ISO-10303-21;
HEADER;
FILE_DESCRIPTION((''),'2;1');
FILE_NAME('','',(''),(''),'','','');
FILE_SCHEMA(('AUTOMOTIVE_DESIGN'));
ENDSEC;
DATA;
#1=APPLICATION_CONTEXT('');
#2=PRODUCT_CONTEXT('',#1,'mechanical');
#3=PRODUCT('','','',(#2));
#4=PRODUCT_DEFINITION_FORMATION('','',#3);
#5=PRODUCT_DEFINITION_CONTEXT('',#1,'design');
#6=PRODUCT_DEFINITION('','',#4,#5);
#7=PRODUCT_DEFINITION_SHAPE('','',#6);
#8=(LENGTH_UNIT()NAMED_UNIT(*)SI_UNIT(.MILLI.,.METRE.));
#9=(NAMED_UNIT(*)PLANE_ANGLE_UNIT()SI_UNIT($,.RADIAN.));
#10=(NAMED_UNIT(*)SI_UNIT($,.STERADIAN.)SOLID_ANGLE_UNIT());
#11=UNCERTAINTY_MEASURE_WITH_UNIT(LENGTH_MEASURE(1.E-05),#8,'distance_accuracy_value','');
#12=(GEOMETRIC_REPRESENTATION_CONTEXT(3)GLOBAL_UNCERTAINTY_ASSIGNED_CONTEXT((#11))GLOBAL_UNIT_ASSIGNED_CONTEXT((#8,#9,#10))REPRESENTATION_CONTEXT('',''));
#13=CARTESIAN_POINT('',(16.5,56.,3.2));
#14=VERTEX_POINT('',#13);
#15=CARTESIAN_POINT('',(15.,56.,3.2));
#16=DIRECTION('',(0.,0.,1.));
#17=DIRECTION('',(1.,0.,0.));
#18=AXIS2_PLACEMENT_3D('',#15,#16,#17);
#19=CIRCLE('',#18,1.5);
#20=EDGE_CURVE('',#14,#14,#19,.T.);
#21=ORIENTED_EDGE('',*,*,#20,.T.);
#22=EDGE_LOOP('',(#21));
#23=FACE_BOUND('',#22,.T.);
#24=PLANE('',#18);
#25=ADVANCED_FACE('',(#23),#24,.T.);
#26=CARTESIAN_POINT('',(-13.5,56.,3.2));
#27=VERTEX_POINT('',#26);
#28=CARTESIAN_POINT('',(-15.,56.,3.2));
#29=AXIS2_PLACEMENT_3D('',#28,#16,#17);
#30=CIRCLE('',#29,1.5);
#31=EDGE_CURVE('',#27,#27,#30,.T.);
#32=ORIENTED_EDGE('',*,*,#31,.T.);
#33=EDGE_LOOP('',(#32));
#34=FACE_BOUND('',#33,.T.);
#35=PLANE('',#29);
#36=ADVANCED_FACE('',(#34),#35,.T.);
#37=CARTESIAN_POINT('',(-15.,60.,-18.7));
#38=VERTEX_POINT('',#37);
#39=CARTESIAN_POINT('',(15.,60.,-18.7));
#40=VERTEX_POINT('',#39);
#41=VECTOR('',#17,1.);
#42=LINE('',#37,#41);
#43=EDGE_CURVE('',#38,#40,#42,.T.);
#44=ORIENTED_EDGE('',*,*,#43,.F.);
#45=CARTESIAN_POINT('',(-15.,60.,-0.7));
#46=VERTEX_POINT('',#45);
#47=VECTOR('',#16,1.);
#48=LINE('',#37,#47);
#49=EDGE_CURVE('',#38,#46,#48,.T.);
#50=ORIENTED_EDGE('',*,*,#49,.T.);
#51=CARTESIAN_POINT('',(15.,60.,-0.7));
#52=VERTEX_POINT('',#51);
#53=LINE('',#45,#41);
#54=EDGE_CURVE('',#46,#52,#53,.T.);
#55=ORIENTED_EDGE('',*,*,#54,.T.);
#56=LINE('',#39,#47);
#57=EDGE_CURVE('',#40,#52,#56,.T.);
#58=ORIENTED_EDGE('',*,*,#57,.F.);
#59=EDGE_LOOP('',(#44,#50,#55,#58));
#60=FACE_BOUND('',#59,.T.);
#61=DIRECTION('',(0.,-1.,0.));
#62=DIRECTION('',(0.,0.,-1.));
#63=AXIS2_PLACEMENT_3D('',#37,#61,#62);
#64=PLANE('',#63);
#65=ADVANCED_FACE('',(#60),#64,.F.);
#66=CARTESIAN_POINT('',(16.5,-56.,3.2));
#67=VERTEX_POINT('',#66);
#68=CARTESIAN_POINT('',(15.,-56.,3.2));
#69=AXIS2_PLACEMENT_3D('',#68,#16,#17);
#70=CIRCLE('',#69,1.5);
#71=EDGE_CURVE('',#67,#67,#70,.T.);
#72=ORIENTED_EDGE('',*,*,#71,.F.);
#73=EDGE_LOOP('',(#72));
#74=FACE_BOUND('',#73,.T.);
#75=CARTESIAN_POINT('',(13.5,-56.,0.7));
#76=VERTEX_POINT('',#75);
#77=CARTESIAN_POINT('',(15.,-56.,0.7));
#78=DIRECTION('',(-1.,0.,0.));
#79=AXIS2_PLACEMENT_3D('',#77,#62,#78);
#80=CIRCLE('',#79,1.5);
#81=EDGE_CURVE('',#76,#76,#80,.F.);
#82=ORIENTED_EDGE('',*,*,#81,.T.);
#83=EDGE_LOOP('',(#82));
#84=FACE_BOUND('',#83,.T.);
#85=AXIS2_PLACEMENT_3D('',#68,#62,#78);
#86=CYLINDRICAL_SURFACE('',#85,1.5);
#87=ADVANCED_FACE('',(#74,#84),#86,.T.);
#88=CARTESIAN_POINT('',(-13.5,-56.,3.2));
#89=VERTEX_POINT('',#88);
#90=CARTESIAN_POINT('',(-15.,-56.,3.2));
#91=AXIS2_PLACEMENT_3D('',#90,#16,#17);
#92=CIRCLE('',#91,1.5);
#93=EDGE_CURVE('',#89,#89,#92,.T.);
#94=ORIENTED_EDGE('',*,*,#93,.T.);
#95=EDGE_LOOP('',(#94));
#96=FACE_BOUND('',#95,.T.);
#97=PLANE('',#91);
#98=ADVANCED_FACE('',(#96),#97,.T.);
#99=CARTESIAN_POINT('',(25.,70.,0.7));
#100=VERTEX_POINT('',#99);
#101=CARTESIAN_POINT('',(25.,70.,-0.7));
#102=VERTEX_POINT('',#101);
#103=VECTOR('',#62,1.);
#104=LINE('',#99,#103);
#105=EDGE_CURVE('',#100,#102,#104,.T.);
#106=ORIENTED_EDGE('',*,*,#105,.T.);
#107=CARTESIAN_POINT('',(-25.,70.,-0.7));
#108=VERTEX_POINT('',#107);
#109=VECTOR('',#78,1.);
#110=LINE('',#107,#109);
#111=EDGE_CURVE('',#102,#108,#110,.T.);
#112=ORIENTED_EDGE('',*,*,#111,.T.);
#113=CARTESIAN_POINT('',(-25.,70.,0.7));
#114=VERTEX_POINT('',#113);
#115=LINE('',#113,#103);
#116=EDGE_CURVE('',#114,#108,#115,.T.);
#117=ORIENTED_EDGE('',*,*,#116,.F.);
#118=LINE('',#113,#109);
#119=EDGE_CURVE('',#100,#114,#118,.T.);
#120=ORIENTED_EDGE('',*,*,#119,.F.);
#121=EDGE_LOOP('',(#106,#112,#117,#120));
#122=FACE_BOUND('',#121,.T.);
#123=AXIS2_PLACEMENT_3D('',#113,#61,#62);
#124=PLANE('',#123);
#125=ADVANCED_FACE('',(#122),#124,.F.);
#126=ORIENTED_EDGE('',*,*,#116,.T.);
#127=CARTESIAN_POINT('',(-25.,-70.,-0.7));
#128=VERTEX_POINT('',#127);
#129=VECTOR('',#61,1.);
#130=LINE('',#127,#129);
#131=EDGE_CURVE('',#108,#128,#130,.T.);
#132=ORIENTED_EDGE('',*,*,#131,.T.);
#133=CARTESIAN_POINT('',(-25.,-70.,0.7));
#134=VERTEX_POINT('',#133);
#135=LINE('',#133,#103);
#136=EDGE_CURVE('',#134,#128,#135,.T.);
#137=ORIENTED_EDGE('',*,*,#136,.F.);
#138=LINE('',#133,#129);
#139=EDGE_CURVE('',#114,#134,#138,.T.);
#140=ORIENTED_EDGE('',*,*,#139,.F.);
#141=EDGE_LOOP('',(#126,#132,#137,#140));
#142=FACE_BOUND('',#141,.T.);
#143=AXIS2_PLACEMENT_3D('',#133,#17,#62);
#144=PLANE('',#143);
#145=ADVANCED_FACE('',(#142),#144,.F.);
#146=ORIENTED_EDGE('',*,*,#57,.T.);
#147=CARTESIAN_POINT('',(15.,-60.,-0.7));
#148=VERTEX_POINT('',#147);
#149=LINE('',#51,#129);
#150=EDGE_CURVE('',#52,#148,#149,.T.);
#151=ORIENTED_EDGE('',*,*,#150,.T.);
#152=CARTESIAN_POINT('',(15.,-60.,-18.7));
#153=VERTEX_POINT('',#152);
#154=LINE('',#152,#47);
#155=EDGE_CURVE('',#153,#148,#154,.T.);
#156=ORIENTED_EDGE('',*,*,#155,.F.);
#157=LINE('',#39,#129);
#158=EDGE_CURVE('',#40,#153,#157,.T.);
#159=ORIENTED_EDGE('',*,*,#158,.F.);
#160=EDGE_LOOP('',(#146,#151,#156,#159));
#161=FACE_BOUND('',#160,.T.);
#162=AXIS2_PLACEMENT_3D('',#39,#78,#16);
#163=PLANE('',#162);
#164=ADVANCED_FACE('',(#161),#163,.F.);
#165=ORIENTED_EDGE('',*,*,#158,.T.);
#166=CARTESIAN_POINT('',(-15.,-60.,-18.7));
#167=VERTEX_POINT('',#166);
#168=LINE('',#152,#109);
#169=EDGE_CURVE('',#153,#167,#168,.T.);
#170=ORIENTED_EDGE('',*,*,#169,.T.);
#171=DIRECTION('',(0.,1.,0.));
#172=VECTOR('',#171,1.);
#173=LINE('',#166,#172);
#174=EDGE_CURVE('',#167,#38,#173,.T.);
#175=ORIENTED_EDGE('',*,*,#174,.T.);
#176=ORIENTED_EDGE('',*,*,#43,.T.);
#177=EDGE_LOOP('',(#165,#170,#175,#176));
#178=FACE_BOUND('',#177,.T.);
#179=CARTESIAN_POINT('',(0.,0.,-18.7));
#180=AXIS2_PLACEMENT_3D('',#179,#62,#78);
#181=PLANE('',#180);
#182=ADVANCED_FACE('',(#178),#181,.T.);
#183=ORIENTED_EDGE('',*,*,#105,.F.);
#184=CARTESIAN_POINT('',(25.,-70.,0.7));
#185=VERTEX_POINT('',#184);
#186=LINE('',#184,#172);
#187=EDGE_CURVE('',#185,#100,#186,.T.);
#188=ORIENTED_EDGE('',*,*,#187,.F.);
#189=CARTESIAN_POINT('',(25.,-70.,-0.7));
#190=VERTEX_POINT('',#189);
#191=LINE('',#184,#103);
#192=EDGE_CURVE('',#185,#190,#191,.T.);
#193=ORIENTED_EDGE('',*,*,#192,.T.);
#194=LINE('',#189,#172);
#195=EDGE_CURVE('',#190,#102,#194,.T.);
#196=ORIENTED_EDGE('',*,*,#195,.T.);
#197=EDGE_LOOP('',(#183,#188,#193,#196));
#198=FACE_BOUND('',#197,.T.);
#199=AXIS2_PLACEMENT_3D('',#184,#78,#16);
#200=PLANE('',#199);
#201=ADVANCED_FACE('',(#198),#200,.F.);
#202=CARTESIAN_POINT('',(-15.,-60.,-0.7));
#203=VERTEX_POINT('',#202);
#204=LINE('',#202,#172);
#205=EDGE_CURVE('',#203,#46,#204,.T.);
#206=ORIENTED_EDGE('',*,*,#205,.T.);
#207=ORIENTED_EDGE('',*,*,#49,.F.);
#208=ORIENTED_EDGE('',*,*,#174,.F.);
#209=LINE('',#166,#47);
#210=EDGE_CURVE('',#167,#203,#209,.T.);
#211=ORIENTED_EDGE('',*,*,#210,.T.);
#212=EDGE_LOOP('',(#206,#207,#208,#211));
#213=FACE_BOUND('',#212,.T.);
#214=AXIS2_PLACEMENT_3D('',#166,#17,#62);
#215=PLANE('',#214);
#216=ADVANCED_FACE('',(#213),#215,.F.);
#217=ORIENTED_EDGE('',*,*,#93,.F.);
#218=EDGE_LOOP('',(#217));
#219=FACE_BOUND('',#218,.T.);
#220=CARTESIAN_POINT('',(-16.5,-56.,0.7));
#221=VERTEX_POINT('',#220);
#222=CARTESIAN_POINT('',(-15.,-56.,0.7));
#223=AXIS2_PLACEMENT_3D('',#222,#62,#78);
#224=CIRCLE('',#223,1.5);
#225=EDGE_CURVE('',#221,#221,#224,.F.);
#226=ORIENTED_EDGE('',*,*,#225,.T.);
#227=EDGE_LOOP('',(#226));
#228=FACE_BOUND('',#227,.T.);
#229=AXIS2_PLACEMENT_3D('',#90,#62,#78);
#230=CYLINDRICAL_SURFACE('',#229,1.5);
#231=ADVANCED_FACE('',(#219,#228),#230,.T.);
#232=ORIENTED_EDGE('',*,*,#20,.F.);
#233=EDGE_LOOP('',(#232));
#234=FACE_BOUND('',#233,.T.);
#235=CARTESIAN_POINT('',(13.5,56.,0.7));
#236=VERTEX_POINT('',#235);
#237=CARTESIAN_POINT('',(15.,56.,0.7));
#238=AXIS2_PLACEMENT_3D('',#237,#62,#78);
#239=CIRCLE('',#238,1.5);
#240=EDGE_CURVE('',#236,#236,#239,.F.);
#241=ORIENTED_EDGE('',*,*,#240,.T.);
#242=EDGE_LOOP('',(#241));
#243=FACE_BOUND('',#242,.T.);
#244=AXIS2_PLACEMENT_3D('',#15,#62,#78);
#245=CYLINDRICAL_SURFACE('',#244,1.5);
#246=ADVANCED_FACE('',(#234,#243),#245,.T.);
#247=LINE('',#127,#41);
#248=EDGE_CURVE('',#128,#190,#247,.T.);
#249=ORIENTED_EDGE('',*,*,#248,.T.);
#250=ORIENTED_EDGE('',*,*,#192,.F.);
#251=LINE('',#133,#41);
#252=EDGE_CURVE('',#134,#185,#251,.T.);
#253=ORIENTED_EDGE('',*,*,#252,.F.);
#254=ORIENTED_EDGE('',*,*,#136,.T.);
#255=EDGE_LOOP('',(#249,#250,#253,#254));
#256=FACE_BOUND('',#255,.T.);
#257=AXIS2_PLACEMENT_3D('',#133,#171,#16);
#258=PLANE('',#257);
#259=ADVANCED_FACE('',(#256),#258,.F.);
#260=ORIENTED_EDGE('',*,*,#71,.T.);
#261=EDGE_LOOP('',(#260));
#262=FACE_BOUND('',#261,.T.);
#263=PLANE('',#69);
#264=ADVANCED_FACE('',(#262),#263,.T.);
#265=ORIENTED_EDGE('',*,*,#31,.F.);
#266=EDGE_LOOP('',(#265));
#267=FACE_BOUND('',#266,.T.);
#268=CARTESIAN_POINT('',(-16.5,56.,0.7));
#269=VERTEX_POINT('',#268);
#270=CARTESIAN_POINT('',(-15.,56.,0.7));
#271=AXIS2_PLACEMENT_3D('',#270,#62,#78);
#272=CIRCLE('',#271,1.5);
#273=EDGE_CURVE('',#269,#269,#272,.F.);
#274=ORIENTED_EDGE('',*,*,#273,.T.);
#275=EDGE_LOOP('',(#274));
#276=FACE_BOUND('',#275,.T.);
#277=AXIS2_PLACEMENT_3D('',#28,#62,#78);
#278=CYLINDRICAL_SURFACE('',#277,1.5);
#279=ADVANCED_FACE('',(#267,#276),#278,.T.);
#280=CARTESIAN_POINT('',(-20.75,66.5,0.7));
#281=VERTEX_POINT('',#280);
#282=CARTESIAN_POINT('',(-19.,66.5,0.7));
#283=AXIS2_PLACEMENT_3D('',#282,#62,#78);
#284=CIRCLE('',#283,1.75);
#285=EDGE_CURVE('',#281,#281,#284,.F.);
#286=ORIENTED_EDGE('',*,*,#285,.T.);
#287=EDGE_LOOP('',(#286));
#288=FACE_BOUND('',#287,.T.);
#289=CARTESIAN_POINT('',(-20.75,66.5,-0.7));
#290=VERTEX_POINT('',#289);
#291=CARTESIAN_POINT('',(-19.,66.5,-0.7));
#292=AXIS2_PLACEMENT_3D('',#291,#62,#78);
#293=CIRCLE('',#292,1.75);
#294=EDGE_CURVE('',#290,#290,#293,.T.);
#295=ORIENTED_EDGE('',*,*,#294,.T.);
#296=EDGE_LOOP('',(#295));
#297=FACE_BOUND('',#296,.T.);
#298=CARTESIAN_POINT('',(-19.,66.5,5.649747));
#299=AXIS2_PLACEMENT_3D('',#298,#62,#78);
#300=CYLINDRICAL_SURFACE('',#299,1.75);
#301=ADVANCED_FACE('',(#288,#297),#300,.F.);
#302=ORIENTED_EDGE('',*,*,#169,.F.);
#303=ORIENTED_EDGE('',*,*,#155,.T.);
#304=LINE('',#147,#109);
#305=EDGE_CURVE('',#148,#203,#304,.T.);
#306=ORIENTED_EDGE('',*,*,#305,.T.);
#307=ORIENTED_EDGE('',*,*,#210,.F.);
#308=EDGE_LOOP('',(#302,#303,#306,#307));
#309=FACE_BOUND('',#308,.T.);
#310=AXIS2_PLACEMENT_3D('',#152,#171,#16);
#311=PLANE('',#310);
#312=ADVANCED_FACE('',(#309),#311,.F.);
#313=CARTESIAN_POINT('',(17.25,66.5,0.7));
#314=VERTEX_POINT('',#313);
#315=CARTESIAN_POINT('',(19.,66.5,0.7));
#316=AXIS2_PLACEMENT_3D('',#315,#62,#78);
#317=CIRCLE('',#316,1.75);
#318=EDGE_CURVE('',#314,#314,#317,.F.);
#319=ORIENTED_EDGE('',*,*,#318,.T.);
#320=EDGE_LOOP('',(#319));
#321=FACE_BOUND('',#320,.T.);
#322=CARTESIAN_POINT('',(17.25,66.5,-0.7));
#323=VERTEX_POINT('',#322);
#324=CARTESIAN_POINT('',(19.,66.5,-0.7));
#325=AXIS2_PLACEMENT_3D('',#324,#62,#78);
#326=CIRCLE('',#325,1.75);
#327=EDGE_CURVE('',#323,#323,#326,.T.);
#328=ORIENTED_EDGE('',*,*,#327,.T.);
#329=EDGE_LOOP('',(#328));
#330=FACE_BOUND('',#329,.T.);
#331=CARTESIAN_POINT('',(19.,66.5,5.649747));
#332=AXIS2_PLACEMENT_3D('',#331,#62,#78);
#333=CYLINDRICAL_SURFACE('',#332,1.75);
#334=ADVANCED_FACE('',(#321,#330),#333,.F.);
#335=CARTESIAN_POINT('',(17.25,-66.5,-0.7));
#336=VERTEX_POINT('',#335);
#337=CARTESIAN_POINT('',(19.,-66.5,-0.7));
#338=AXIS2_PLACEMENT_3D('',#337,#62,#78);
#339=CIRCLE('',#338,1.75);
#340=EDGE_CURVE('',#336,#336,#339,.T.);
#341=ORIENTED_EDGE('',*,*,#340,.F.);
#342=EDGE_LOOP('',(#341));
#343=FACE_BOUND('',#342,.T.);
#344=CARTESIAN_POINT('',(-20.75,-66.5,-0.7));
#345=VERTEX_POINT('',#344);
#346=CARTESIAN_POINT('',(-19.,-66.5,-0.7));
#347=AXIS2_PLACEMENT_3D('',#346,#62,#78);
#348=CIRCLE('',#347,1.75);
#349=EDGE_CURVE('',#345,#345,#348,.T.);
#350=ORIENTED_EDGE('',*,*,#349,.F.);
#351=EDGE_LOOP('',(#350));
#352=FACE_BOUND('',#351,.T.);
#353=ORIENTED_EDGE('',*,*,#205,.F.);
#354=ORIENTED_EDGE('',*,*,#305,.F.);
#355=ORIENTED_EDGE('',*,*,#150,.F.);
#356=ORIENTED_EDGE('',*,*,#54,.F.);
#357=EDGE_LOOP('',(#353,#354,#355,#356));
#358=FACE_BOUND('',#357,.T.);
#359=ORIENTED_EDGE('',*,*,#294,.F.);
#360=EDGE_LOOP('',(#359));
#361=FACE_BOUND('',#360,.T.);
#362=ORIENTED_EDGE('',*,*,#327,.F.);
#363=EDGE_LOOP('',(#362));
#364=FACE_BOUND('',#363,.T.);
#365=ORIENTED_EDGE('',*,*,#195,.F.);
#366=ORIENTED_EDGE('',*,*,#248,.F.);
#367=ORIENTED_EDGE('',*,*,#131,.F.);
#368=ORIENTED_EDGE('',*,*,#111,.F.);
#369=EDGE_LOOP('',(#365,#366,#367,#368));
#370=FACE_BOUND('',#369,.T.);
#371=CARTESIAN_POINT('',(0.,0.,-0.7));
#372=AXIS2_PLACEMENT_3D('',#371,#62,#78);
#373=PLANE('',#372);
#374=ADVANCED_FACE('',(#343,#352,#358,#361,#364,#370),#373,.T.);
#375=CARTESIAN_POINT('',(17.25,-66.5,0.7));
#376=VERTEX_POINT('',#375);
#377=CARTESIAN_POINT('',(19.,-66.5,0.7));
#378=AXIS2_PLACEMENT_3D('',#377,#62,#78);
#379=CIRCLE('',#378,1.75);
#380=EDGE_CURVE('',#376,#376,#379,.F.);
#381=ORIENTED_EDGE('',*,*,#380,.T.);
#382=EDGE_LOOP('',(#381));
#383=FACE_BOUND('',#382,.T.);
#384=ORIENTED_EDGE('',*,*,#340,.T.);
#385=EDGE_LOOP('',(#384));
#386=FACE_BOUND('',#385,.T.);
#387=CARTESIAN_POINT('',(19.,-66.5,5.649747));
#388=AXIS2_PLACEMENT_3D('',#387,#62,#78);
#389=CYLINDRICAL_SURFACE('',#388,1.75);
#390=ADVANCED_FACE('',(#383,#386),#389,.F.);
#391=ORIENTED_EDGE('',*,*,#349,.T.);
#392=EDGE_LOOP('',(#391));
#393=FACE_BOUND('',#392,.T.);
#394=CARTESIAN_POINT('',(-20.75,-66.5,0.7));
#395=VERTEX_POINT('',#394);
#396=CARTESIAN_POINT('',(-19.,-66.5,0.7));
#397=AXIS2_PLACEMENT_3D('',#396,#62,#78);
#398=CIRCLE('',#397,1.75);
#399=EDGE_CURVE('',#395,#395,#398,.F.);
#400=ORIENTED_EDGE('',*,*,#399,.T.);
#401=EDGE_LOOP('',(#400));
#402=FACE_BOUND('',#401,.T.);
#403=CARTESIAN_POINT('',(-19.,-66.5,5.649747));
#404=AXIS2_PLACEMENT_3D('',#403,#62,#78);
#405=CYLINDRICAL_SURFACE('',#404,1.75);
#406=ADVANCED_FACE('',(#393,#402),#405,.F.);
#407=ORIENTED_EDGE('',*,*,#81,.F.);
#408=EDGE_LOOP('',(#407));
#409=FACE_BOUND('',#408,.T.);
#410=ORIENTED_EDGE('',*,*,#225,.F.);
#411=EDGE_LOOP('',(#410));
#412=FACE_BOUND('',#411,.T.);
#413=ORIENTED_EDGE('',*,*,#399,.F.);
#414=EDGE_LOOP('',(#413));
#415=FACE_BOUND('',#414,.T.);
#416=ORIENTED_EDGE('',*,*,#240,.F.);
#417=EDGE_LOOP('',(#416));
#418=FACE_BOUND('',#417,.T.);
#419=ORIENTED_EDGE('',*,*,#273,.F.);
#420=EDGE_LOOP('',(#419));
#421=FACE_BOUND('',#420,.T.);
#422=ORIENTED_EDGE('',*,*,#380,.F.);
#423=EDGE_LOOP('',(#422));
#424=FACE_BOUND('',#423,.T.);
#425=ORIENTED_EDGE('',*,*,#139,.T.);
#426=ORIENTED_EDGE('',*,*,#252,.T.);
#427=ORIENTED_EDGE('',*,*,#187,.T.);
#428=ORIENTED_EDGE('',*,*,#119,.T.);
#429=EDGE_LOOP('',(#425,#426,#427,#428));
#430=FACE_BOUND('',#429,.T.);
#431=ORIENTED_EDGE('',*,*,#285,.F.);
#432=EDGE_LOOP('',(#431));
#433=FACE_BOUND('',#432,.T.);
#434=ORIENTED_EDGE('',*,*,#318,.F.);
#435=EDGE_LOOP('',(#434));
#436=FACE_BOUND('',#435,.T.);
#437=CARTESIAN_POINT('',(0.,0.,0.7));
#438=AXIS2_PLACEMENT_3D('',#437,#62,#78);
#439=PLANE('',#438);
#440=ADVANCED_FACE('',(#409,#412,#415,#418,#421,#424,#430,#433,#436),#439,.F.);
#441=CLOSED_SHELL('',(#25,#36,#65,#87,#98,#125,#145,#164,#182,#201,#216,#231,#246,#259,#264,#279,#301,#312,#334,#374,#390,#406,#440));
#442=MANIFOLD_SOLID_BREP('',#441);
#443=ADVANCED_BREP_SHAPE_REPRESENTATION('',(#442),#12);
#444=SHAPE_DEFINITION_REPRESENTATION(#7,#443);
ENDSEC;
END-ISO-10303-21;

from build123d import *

# Parameters (mm, degrees)
SKETCH1_W           = 50
SKETCH1_H           = 140
BOSS_EXTRUDE1_DEPTH = 0.7
SKETCH3_W           = 30
SKETCH3_H           = 120
BOSS_EXTRUDE2_DEPTH = 18
SKETCH4_R           = 1.75
CUT_EXTRUDE1_DEPTH  = 1.4
SKETCH5_R           = 1.5
BOSS_EXTRUDE3_DEPTH = 2.5


with BuildPart() as part:
    # Sketch1 → Boss-Extrude1 (new, symmetric)
    with BuildSketch(Plane.XY):
        Rectangle(SKETCH1_W, SKETCH1_H)
    extrude(amount=BOSS_EXTRUDE1_DEPTH, both=True)

    # Sketch3 → Boss-Extrude2 (add)
    with BuildSketch(Plane(origin=(0, 0, -0.7), x_dir=(-1, 0, 0), z_dir=(0, 0, -1))):
        Rectangle(SKETCH3_W, SKETCH3_H)
    extrude(amount=BOSS_EXTRUDE2_DEPTH)

    # Sketch4 → Cut-Extrude1 (cut)
    with BuildSketch(Plane(origin=(0, 0, -0.7), x_dir=(-1, 0, 0), z_dir=(0, 0, -1))):
        with Locations((-19, 66.5)):
            Circle(SKETCH4_R)
        with Locations((19, 66.5)):
            Circle(SKETCH4_R)
        with Locations((-19, -66.5)):
            Circle(SKETCH4_R)
        with Locations((19, -66.5)):
            Circle(SKETCH4_R)
    extrude(amount=-CUT_EXTRUDE1_DEPTH, mode=Mode.SUBTRACT)

    # Sketch5 → Boss-Extrude3 (add)
    with BuildSketch(Plane.XY.offset(0.7)):
        with Locations(Location((15, 56, 0), (0, 0, 180))):
            Circle(SKETCH5_R)
        with Locations(Location((-15, 56, 0), (0, 0, 180))):
            Circle(SKETCH5_R)
        with Locations(Location((-15, -56, 0), (0, 0, 180))):
            Circle(SKETCH5_R)
        with Locations(Location((15, -56, 0), (0, 0, 180))):
            Circle(SKETCH5_R)
    extrude(amount=BOSS_EXTRUDE3_DEPTH)


solid = part.part
